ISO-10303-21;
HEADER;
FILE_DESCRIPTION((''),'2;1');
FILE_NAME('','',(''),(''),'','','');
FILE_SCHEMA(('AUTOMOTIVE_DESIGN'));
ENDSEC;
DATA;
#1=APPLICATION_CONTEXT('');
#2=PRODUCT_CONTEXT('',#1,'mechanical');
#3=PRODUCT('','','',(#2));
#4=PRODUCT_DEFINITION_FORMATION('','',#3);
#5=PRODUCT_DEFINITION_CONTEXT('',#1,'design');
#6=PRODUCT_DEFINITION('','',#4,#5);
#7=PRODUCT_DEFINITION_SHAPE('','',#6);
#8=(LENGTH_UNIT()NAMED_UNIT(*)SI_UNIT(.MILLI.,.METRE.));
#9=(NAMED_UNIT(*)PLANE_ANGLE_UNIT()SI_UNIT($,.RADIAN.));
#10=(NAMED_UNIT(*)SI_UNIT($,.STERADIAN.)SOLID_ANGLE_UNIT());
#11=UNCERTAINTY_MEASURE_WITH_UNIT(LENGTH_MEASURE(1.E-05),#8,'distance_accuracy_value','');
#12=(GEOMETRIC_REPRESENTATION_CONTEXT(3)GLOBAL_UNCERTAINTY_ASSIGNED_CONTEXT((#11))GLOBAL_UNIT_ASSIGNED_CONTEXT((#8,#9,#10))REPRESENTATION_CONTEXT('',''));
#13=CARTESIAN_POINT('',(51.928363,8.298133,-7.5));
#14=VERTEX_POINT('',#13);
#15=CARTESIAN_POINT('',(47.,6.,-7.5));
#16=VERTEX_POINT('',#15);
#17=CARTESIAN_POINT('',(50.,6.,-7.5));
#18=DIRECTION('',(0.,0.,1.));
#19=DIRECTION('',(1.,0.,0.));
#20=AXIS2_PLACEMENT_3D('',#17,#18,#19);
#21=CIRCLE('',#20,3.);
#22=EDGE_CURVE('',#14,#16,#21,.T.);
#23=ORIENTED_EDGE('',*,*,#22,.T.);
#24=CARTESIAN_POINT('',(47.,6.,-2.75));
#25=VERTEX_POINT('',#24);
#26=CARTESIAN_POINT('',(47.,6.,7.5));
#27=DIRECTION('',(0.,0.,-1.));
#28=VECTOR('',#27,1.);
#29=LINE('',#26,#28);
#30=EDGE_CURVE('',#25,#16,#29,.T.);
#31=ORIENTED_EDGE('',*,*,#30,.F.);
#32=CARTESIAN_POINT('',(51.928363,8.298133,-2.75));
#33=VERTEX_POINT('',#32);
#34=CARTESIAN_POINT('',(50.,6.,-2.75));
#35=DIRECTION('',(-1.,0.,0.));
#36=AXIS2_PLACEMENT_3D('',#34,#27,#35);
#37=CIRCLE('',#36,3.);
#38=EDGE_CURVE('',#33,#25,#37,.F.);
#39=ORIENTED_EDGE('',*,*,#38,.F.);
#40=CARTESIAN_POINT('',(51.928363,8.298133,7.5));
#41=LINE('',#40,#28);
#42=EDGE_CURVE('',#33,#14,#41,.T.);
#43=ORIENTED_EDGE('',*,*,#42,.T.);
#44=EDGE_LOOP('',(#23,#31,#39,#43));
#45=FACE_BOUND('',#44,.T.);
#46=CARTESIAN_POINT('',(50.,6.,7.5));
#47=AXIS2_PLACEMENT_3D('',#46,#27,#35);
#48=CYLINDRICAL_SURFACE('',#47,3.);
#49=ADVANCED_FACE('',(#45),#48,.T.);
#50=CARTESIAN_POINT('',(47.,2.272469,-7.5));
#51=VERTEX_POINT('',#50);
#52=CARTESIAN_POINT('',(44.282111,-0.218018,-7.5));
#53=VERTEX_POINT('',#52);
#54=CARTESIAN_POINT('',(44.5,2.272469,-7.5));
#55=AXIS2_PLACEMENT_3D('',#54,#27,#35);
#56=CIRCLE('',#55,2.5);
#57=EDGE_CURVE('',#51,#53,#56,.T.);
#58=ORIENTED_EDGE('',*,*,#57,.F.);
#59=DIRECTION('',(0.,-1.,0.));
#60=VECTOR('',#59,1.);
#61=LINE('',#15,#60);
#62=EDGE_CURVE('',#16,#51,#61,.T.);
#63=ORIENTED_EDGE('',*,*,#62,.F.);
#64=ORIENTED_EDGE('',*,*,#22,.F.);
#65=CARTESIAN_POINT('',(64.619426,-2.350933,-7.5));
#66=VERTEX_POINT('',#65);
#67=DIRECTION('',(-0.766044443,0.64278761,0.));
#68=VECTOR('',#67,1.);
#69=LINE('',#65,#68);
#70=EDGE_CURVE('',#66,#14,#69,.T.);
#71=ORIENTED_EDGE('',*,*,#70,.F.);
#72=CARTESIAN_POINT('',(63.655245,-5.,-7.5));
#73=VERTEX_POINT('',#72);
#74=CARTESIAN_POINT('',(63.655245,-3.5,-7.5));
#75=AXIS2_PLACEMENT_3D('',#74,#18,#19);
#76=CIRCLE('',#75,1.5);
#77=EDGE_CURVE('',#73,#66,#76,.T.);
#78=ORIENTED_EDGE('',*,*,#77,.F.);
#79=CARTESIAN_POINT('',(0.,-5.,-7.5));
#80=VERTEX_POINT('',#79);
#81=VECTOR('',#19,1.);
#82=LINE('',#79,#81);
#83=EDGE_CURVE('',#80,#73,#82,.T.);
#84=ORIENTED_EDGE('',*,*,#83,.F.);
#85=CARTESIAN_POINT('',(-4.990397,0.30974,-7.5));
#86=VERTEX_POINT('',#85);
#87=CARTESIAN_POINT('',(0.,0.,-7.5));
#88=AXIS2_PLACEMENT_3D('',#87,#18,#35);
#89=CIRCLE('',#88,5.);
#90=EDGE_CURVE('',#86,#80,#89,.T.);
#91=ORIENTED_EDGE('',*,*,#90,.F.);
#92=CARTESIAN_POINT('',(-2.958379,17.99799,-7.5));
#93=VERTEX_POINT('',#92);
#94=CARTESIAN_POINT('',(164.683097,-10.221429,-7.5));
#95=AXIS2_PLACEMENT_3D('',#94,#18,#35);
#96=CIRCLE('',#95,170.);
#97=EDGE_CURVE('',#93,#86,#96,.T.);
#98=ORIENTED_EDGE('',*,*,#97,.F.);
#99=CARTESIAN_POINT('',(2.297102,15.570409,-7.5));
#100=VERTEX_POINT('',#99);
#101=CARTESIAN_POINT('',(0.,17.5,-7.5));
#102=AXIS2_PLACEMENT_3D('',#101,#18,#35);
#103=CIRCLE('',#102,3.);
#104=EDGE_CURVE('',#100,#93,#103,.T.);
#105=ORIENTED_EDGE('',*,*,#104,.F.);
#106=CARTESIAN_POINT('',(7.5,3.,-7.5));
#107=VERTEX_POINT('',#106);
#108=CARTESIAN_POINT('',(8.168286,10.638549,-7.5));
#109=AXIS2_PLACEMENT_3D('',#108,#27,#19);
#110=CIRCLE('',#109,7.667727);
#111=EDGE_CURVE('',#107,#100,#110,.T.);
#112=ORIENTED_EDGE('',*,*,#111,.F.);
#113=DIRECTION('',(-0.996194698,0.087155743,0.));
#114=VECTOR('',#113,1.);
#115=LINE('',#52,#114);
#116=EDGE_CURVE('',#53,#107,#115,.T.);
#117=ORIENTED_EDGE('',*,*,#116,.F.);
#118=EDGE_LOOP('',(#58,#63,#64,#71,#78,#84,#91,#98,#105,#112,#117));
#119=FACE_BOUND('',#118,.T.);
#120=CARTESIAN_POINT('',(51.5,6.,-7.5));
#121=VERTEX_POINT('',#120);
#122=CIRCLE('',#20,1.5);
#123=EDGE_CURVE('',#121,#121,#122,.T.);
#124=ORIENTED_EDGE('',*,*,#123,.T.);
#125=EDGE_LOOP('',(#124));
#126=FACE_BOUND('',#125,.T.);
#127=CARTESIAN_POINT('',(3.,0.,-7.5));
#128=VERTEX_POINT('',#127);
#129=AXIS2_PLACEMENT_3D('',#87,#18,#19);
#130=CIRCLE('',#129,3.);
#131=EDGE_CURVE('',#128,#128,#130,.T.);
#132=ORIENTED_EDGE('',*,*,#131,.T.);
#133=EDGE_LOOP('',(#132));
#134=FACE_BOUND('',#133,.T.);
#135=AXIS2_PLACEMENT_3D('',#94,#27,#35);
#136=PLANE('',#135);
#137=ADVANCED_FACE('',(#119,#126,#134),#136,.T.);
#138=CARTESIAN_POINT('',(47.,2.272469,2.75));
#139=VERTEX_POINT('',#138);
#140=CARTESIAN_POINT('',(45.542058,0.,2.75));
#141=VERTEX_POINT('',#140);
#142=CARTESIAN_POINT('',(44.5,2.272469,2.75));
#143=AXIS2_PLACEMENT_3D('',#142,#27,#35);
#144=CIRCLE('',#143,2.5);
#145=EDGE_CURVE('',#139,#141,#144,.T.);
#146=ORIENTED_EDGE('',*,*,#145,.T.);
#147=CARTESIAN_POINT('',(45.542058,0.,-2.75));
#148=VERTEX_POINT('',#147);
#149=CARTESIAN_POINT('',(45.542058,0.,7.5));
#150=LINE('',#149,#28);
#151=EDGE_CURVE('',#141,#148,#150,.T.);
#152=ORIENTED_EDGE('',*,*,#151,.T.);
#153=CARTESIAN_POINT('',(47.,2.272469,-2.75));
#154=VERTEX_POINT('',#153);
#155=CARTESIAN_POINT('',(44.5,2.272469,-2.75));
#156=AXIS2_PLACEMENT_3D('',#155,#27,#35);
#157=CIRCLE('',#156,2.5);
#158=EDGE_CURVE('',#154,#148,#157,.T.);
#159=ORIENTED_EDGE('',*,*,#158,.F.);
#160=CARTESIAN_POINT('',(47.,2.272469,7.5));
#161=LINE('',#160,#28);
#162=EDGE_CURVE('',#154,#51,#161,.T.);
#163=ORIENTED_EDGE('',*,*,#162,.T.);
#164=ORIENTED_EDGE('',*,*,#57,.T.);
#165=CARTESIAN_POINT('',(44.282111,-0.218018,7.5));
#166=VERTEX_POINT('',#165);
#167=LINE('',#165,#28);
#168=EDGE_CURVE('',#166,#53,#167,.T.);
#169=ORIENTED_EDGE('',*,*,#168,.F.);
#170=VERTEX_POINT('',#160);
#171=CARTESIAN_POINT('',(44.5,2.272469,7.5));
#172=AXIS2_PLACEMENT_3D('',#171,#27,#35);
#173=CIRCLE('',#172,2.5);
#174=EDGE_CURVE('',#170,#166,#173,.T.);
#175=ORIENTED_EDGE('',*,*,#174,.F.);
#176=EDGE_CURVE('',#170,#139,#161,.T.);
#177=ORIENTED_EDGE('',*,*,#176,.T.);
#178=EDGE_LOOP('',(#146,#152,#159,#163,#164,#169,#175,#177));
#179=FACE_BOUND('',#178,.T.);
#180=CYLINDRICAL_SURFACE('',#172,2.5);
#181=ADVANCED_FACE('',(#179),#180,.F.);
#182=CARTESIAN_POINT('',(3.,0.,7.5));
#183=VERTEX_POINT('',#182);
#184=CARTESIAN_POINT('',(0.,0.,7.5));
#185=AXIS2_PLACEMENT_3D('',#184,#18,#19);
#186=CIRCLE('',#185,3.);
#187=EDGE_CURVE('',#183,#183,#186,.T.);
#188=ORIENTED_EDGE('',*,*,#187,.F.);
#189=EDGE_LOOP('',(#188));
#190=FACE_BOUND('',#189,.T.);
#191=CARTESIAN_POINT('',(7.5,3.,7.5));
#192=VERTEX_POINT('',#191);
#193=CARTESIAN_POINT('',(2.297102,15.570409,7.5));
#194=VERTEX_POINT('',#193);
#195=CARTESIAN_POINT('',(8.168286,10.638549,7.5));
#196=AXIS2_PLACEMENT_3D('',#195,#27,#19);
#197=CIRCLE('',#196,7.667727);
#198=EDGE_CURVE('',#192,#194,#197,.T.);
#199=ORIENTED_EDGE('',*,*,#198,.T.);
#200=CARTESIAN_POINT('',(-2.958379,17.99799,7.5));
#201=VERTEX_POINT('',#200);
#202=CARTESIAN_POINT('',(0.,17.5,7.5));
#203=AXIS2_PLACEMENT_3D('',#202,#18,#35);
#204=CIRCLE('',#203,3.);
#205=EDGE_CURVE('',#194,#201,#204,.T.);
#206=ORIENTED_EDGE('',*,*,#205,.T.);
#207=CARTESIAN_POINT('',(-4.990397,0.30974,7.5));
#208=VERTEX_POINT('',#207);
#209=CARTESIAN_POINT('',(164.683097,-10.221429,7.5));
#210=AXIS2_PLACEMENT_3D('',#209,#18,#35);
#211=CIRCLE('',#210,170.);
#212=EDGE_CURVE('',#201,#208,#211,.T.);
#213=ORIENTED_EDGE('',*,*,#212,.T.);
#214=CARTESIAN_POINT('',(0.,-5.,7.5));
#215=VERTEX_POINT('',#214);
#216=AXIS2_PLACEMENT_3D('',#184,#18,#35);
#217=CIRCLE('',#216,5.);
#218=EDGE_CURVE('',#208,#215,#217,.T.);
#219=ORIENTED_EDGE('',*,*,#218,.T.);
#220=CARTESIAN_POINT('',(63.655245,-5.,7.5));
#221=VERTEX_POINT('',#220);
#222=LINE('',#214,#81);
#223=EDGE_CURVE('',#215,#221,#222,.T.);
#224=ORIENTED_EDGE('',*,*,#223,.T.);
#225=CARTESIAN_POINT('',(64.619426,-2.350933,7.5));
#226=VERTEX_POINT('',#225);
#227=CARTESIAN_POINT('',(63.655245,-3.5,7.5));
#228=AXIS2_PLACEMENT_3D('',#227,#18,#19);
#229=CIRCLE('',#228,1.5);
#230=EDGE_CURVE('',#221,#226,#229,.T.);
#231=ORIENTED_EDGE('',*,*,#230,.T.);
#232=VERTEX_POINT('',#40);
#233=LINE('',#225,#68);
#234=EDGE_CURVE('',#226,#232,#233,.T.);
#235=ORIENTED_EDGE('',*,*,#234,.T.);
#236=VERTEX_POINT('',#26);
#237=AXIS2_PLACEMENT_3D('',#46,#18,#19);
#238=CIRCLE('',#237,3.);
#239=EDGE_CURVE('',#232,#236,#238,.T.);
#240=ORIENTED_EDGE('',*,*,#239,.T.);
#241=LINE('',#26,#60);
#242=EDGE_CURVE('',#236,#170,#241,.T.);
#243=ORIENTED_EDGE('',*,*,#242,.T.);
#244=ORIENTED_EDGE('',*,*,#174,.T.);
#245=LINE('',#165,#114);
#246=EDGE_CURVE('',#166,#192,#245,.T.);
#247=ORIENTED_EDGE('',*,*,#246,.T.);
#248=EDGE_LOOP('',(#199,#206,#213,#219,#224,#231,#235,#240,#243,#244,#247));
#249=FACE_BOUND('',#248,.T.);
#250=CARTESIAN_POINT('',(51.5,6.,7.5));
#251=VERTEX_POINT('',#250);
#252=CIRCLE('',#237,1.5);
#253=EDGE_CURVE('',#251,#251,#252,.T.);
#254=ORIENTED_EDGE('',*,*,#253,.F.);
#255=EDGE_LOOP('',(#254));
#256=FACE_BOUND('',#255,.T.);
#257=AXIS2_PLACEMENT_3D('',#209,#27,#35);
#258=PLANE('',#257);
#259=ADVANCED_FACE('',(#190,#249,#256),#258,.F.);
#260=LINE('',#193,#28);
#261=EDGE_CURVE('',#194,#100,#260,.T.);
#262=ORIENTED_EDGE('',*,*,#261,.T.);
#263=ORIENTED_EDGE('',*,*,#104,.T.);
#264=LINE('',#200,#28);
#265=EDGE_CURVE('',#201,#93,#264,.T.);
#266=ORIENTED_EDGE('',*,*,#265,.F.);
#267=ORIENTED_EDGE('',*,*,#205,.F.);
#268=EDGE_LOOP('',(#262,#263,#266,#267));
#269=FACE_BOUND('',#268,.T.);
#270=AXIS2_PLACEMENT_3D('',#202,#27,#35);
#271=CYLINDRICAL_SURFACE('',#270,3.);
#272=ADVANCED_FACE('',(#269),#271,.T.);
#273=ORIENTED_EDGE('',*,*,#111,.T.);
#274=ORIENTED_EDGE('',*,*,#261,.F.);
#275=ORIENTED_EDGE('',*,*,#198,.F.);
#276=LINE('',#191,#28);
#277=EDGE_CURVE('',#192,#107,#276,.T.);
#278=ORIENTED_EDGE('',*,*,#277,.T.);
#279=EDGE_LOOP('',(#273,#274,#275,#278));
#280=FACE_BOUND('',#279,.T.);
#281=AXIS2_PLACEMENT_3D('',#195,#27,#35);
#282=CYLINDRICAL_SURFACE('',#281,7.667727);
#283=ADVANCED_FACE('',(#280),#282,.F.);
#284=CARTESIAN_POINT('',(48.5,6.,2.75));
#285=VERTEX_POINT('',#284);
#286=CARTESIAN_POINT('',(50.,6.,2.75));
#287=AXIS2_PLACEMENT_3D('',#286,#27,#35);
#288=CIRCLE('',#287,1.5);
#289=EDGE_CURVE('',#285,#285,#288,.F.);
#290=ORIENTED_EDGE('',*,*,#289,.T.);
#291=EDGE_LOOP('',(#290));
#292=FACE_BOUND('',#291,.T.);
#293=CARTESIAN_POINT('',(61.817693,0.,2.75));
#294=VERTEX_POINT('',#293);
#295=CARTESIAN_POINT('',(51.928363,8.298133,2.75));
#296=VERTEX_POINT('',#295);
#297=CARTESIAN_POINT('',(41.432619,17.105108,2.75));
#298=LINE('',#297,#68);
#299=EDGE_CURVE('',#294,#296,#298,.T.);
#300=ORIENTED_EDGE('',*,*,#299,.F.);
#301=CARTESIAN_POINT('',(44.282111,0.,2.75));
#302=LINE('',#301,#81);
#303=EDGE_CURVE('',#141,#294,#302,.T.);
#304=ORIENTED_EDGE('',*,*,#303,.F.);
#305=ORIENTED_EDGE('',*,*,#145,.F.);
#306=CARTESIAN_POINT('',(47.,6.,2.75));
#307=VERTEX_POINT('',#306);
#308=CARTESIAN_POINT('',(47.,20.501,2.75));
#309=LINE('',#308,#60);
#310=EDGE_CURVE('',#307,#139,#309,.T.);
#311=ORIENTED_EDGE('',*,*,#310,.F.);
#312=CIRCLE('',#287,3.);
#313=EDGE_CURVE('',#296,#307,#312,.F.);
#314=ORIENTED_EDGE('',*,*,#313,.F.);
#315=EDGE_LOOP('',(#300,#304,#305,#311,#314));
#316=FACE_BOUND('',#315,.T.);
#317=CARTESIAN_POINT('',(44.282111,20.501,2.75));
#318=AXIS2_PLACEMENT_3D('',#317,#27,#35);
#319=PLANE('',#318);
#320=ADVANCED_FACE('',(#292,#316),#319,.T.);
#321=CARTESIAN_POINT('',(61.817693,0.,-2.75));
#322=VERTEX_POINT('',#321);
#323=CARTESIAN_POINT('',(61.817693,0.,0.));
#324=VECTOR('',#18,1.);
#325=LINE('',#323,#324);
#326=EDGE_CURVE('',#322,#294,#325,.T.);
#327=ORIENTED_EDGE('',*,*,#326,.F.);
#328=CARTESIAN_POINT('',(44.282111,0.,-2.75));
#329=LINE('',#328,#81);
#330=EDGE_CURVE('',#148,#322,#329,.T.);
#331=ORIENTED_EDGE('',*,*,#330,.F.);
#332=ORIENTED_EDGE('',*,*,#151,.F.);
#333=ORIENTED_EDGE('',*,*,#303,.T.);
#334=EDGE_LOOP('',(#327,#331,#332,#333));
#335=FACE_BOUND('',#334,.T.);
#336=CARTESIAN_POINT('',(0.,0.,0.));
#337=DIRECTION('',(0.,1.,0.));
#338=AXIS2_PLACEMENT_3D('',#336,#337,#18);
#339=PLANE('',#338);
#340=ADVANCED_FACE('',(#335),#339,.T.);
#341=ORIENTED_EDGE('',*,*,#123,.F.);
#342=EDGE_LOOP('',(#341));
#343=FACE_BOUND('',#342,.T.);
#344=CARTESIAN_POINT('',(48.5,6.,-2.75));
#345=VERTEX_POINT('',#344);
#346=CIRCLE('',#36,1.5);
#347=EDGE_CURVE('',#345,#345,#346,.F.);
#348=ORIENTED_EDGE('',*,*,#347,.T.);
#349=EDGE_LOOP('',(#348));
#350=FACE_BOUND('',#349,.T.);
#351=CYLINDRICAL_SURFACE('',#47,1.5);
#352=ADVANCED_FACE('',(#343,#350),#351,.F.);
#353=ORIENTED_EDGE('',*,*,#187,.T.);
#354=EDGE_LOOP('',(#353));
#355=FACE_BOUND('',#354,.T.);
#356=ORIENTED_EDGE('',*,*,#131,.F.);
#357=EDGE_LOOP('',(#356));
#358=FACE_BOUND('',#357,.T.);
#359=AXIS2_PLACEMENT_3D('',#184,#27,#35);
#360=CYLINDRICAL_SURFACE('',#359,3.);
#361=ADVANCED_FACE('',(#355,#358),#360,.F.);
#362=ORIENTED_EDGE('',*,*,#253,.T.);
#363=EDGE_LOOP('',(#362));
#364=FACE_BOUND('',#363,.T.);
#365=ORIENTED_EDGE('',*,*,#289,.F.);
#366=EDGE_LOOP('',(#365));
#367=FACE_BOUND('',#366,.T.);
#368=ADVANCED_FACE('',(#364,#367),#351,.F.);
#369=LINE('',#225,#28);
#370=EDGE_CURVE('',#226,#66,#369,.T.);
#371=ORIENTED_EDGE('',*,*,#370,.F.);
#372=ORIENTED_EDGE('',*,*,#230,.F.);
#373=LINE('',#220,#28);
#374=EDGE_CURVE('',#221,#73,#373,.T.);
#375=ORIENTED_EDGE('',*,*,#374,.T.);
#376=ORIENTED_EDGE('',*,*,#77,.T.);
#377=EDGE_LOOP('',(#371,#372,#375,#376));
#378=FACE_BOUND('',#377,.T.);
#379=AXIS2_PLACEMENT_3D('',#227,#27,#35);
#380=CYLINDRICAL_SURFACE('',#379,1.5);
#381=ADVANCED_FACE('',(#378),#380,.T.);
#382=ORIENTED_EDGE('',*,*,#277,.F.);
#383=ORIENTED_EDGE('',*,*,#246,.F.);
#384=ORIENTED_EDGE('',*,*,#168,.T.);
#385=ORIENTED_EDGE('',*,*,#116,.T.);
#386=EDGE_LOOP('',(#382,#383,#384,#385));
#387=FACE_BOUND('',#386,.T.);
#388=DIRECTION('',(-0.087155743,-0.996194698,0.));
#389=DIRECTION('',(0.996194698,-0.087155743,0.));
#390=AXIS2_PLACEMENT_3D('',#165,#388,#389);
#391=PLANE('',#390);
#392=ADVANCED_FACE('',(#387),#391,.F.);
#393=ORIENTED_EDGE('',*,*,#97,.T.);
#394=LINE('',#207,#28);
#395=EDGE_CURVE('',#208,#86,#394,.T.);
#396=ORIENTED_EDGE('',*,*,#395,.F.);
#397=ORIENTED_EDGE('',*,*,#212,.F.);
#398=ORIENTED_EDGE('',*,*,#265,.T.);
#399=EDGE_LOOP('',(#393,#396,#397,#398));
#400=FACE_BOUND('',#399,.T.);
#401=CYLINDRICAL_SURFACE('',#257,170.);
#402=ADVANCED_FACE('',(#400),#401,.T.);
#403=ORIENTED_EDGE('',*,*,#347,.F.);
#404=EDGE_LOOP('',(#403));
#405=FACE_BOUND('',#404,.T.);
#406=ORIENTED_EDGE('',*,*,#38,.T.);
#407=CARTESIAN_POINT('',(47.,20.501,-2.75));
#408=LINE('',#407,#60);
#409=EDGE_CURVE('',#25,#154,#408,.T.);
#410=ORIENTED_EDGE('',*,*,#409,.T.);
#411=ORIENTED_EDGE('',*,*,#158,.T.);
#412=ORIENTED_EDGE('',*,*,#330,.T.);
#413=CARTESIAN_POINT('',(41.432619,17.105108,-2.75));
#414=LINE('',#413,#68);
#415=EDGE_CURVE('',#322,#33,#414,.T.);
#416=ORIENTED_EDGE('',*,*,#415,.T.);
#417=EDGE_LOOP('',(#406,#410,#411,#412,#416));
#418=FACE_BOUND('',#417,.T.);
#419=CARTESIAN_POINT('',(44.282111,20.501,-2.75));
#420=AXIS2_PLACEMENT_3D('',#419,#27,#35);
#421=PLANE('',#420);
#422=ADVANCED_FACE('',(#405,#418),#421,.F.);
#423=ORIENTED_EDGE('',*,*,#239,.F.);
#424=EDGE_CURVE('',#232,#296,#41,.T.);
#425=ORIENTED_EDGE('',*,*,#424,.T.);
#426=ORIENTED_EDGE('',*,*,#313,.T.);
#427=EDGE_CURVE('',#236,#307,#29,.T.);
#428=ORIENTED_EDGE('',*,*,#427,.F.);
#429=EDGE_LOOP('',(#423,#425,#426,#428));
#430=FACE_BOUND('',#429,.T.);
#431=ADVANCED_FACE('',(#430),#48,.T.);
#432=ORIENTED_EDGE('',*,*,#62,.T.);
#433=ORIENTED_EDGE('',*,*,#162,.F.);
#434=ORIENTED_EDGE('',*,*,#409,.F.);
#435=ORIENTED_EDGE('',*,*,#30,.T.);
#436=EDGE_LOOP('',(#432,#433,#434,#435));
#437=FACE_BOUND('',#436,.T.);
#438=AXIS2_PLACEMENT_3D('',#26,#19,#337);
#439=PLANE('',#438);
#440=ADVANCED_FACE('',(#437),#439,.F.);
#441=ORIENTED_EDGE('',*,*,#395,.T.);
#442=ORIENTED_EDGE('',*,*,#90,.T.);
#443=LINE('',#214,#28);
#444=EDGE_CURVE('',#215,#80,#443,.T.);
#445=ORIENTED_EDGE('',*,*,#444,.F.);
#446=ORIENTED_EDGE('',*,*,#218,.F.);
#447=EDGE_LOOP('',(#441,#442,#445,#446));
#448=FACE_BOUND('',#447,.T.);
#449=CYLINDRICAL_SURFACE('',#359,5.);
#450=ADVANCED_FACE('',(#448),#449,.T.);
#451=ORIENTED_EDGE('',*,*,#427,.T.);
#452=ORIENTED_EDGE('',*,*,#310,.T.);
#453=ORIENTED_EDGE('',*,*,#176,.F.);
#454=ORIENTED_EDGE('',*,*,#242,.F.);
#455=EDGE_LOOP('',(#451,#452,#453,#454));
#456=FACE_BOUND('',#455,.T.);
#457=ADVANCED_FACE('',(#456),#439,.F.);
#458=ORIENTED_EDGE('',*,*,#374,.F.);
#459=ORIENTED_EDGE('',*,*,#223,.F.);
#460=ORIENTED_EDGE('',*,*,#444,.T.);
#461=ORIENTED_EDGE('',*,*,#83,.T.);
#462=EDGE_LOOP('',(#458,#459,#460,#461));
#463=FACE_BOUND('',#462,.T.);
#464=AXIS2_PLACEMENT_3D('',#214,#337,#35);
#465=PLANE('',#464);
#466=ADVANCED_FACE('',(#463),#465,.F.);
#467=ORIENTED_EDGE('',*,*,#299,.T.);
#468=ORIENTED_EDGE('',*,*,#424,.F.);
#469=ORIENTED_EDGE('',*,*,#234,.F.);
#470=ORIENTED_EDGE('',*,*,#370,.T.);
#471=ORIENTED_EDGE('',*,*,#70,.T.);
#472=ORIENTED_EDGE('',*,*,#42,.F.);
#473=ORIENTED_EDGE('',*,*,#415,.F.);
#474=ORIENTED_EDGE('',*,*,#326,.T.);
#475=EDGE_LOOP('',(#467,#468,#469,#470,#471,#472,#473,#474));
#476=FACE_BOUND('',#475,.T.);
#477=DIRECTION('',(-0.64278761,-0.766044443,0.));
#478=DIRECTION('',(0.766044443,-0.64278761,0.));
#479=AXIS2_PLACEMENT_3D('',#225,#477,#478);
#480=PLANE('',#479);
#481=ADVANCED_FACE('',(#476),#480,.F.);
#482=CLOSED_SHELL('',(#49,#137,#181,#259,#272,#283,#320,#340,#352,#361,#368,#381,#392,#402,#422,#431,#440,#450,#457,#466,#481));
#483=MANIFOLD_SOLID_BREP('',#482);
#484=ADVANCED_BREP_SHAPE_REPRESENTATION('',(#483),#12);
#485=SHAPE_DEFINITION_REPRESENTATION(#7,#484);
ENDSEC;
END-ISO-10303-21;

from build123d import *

# Parameters (mm, degrees)
SKETCH1_R           = 3
SKETCH1_R_2         = 1.5
BOSS_EXTRUDE1_DEPTH = 7.5
CUT_EXTRUDE1_REACH  = 70.715
SKETCH2_W           = 20.337315641
SKETCH2_H           = 5.5


with BuildPart() as part:
    # Sketch1 → Boss-Extrude1 (new, symmetric)
    with BuildSketch(Plane.XY):
        with BuildLine():
            Line((0, -5), (63.65524487, -5))
            ThreePointArc((63.65524487, -5), (65.064783801, -4.013030215), (64.619426284, -2.350933335))
            Line((64.619426284, -2.350933335), (51.928362829, 8.298133329))
            ThreePointArc((51.928362829, 8.298133329), (48.732145215, 8.718923361), (47, 6))
            Line((47, 6), (47, 2.272469043))
            ThreePointArc((47, 2.272469043), (46.188975519, 0.429275701), (44.282110643, -0.218017702))
            Line((44.282110643, -0.218017702), (7.5, 3))
            ThreePointArc((7.5, 3), (1.083445994, 7.70613076), (2.297102135, 15.570408909))
            ThreePointArc((2.297102135, 15.570408909), (1.25801786, 20.223488767), (-2.958378986, 17.997989735))
            ThreePointArc((-2.958378986, 17.997989735), (-4.206114513, 9.18048564), (-4.990396875, 0.30974026))
            ThreePointArc((-4.990396875, 0.30974026), (-3.643398228, -3.424273551), (0, -5))
        make_face()
        Circle(SKETCH1_R, mode=Mode.SUBTRACT)
        with Locations((50, 6)):
            Circle(SKETCH1_R_2, mode=Mode.SUBTRACT)
    extrude(amount=BOSS_EXTRUDE1_DEPTH, both=True)

    # Sketch2 → Cut-Extrude1 (cut, up to next)
    with BuildSketch(Plane(origin=(0, 0, 0), x_dir=(1, 0, 0), z_dir=(0, 1, 0)), mode=Mode.PRIVATE) as cut_extrude1_sk1:
        with Locations((54.450768463, 0)):
            Rectangle(SKETCH2_W, SKETCH2_H)
    cut_extrude1_tool1 = extrude(cut_extrude1_sk1.sketch, amount=CUT_EXTRUDE1_REACH, mode=Mode.PRIVATE) & part.part
    add(cut_extrude1_tool1.solids().sort_by_distance((54.450768, 0, 0))[0], mode=Mode.SUBTRACT)


solid = part.part
